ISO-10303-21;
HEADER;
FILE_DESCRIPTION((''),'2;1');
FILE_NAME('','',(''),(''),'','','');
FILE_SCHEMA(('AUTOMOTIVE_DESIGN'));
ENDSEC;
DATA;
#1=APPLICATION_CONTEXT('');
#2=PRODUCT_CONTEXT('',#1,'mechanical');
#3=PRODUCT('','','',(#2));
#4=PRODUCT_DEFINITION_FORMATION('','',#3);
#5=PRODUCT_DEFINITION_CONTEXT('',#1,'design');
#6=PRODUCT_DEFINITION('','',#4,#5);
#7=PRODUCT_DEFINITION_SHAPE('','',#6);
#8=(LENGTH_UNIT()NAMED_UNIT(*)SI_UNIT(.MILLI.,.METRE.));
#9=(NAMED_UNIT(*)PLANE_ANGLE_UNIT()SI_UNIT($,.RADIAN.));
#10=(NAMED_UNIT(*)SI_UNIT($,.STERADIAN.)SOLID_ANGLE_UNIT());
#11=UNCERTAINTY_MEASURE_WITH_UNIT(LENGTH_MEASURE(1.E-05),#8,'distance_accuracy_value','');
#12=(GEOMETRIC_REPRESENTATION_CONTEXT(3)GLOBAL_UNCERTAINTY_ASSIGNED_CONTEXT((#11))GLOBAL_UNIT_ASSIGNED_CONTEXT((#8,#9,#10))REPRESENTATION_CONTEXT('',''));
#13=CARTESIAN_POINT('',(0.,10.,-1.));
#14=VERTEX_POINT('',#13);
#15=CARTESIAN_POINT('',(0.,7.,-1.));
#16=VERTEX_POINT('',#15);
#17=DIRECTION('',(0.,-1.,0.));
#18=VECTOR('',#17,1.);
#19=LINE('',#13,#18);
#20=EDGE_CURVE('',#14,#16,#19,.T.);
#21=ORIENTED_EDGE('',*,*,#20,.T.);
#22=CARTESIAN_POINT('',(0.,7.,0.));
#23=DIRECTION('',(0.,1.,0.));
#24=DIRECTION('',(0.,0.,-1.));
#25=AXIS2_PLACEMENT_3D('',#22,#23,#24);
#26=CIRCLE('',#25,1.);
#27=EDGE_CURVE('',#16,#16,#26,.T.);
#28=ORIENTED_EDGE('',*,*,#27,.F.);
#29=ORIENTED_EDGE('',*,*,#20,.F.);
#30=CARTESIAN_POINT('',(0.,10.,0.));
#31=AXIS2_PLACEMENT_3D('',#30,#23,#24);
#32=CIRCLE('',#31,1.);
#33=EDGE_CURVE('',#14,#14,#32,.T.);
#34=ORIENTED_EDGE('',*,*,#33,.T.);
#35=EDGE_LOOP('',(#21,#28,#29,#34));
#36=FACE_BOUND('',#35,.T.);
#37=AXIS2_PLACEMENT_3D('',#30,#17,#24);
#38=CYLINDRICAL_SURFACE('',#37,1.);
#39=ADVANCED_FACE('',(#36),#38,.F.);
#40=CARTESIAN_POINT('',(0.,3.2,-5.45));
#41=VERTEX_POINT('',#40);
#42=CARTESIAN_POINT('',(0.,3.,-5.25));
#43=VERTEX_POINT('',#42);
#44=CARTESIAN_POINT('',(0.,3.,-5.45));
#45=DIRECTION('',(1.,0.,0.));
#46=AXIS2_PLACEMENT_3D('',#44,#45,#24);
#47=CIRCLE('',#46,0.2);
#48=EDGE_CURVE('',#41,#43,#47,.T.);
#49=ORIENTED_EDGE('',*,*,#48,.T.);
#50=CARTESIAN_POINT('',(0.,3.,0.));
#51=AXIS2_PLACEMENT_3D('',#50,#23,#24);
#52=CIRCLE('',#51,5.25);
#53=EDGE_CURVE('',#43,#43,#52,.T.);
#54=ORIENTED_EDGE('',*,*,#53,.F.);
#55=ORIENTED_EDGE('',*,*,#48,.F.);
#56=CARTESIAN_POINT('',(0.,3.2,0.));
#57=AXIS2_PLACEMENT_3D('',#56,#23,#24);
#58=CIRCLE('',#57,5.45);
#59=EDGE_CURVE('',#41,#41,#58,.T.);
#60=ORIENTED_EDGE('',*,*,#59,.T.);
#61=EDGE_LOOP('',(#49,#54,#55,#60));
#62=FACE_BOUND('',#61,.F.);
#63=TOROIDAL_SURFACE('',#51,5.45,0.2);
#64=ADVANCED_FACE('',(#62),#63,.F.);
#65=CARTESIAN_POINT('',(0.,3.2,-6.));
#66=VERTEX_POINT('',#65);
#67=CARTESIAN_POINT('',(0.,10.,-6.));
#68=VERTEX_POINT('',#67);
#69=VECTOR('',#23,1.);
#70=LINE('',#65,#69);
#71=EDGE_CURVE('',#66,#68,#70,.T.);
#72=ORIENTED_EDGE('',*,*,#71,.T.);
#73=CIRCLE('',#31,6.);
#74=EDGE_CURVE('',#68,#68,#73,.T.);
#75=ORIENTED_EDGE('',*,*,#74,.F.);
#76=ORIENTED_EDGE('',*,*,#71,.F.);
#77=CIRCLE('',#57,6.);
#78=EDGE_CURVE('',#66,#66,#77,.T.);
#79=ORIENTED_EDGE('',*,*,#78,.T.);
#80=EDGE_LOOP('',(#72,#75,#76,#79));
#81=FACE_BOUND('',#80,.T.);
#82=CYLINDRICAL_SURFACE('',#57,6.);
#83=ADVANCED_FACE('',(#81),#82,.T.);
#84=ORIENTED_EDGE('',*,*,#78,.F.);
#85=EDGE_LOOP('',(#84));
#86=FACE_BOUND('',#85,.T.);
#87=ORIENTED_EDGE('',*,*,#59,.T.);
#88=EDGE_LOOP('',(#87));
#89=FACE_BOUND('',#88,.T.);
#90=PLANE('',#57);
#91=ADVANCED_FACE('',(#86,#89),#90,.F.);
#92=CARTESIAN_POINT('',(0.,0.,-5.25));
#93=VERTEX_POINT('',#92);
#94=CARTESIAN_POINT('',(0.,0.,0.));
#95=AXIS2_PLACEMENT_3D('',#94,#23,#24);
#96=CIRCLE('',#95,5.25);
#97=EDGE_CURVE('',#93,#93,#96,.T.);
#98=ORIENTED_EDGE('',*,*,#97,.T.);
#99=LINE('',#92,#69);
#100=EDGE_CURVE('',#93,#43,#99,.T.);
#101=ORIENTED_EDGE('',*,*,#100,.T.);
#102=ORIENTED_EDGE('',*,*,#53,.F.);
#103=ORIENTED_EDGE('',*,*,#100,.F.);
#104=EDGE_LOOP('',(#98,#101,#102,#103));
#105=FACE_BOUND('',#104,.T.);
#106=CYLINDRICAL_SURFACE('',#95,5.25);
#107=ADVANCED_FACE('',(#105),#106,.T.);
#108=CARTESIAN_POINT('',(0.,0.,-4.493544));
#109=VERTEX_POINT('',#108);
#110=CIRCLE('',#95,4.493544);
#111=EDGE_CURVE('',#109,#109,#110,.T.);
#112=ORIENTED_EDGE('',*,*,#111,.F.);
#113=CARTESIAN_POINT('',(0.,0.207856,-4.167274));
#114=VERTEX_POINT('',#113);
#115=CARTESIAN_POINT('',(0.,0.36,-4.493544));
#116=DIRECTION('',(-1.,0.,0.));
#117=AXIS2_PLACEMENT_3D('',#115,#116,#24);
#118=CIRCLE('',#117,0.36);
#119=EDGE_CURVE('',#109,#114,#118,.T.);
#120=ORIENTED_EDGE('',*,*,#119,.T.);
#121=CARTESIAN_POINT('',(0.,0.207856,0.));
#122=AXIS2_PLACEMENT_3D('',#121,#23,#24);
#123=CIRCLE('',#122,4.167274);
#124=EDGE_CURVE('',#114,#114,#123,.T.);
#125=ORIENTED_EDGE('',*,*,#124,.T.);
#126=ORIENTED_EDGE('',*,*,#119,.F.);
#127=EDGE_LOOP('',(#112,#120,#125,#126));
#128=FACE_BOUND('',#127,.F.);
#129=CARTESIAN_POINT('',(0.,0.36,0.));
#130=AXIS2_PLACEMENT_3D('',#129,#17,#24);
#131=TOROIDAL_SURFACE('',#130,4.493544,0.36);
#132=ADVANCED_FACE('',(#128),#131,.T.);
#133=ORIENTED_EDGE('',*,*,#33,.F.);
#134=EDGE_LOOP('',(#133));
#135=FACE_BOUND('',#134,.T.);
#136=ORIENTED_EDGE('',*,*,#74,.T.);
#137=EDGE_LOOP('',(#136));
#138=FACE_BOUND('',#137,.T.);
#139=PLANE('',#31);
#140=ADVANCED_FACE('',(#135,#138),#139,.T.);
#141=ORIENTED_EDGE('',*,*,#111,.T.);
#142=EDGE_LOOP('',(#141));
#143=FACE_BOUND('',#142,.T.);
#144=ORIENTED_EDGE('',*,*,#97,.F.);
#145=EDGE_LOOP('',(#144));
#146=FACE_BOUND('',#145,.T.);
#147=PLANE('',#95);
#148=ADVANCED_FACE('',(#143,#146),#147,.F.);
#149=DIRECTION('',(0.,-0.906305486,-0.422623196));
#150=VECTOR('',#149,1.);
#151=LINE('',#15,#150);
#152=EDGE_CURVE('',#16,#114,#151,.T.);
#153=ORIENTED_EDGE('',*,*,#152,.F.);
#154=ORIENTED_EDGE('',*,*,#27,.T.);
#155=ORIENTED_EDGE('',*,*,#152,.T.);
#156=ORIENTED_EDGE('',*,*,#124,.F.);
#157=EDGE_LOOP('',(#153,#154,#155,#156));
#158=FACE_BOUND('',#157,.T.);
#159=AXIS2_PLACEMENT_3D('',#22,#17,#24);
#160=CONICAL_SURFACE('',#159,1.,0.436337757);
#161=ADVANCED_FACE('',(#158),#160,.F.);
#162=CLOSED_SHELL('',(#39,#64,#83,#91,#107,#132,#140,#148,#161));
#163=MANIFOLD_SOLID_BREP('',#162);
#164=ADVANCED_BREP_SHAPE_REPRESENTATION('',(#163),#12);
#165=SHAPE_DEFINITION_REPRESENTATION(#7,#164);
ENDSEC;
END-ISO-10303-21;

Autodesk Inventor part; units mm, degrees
ref_plane "YZ Plane" through (0, 0, 0) normal (1, 0, 0) x (0, 1, 0)
ref_plane "XZ Plane" through (0, 0, 0) normal (0, 1, 0) x (-1, 0, 0)
ref_plane "XY Plane" through (0, 0, 0) normal (0, 0, 1) x (1, 0, 0)
sketch "Sketch1" plane through (0, 0, 0) normal (1, 0, 0) x (0, 1, 0)
  line L0 (10, -1) -> (7, -1)
  line L1 (0, -1) -> (0, -4.2642) construction
  line L2 (0, -5.25) -> (3.2, -5.25)
  line L3 (3.2, -5.25) -> (3.2, -6)
  line L4 (3.2, -6) -> (10, -6)
  line L5 (10, -6) -> (10, -1)
  line L6 (10, 0) -> (0, 0) construction
  line L7 (-2, 0) -> (12, 0) projected
  line L8 (7, -1) -> (0, -4.2642)
  line L9 (7, -1) -> (0, -1) construction
  line L10 (0, -4.2642) -> (0, -5.25)
  point P0 (0, -4.7571)
  point P1 (5, 0)
  dimension "d2" = 6
  dimension "d3" = 5.25
  dimension "d4" = 6.8
  dimension "d9" = 3
  dimension "d10" = 155
  dimension "d11" = 1
  dimension "d12" = 10
  dimension "d13" = 5
  dimension "d16" = 3.2
revolve "Revolution1" add sketch "Sketch1" angle 360 about axis through (0, -10, 0) along (0, 1, 0)
fillet "Fillet1" radius 0.2 1 edges at (0, 3.2, 5.25)
fillet "Fillet2" radius 0.36 1 edges at (0, 0, 4.2642)
properties part number "tapon optica SiPM"
